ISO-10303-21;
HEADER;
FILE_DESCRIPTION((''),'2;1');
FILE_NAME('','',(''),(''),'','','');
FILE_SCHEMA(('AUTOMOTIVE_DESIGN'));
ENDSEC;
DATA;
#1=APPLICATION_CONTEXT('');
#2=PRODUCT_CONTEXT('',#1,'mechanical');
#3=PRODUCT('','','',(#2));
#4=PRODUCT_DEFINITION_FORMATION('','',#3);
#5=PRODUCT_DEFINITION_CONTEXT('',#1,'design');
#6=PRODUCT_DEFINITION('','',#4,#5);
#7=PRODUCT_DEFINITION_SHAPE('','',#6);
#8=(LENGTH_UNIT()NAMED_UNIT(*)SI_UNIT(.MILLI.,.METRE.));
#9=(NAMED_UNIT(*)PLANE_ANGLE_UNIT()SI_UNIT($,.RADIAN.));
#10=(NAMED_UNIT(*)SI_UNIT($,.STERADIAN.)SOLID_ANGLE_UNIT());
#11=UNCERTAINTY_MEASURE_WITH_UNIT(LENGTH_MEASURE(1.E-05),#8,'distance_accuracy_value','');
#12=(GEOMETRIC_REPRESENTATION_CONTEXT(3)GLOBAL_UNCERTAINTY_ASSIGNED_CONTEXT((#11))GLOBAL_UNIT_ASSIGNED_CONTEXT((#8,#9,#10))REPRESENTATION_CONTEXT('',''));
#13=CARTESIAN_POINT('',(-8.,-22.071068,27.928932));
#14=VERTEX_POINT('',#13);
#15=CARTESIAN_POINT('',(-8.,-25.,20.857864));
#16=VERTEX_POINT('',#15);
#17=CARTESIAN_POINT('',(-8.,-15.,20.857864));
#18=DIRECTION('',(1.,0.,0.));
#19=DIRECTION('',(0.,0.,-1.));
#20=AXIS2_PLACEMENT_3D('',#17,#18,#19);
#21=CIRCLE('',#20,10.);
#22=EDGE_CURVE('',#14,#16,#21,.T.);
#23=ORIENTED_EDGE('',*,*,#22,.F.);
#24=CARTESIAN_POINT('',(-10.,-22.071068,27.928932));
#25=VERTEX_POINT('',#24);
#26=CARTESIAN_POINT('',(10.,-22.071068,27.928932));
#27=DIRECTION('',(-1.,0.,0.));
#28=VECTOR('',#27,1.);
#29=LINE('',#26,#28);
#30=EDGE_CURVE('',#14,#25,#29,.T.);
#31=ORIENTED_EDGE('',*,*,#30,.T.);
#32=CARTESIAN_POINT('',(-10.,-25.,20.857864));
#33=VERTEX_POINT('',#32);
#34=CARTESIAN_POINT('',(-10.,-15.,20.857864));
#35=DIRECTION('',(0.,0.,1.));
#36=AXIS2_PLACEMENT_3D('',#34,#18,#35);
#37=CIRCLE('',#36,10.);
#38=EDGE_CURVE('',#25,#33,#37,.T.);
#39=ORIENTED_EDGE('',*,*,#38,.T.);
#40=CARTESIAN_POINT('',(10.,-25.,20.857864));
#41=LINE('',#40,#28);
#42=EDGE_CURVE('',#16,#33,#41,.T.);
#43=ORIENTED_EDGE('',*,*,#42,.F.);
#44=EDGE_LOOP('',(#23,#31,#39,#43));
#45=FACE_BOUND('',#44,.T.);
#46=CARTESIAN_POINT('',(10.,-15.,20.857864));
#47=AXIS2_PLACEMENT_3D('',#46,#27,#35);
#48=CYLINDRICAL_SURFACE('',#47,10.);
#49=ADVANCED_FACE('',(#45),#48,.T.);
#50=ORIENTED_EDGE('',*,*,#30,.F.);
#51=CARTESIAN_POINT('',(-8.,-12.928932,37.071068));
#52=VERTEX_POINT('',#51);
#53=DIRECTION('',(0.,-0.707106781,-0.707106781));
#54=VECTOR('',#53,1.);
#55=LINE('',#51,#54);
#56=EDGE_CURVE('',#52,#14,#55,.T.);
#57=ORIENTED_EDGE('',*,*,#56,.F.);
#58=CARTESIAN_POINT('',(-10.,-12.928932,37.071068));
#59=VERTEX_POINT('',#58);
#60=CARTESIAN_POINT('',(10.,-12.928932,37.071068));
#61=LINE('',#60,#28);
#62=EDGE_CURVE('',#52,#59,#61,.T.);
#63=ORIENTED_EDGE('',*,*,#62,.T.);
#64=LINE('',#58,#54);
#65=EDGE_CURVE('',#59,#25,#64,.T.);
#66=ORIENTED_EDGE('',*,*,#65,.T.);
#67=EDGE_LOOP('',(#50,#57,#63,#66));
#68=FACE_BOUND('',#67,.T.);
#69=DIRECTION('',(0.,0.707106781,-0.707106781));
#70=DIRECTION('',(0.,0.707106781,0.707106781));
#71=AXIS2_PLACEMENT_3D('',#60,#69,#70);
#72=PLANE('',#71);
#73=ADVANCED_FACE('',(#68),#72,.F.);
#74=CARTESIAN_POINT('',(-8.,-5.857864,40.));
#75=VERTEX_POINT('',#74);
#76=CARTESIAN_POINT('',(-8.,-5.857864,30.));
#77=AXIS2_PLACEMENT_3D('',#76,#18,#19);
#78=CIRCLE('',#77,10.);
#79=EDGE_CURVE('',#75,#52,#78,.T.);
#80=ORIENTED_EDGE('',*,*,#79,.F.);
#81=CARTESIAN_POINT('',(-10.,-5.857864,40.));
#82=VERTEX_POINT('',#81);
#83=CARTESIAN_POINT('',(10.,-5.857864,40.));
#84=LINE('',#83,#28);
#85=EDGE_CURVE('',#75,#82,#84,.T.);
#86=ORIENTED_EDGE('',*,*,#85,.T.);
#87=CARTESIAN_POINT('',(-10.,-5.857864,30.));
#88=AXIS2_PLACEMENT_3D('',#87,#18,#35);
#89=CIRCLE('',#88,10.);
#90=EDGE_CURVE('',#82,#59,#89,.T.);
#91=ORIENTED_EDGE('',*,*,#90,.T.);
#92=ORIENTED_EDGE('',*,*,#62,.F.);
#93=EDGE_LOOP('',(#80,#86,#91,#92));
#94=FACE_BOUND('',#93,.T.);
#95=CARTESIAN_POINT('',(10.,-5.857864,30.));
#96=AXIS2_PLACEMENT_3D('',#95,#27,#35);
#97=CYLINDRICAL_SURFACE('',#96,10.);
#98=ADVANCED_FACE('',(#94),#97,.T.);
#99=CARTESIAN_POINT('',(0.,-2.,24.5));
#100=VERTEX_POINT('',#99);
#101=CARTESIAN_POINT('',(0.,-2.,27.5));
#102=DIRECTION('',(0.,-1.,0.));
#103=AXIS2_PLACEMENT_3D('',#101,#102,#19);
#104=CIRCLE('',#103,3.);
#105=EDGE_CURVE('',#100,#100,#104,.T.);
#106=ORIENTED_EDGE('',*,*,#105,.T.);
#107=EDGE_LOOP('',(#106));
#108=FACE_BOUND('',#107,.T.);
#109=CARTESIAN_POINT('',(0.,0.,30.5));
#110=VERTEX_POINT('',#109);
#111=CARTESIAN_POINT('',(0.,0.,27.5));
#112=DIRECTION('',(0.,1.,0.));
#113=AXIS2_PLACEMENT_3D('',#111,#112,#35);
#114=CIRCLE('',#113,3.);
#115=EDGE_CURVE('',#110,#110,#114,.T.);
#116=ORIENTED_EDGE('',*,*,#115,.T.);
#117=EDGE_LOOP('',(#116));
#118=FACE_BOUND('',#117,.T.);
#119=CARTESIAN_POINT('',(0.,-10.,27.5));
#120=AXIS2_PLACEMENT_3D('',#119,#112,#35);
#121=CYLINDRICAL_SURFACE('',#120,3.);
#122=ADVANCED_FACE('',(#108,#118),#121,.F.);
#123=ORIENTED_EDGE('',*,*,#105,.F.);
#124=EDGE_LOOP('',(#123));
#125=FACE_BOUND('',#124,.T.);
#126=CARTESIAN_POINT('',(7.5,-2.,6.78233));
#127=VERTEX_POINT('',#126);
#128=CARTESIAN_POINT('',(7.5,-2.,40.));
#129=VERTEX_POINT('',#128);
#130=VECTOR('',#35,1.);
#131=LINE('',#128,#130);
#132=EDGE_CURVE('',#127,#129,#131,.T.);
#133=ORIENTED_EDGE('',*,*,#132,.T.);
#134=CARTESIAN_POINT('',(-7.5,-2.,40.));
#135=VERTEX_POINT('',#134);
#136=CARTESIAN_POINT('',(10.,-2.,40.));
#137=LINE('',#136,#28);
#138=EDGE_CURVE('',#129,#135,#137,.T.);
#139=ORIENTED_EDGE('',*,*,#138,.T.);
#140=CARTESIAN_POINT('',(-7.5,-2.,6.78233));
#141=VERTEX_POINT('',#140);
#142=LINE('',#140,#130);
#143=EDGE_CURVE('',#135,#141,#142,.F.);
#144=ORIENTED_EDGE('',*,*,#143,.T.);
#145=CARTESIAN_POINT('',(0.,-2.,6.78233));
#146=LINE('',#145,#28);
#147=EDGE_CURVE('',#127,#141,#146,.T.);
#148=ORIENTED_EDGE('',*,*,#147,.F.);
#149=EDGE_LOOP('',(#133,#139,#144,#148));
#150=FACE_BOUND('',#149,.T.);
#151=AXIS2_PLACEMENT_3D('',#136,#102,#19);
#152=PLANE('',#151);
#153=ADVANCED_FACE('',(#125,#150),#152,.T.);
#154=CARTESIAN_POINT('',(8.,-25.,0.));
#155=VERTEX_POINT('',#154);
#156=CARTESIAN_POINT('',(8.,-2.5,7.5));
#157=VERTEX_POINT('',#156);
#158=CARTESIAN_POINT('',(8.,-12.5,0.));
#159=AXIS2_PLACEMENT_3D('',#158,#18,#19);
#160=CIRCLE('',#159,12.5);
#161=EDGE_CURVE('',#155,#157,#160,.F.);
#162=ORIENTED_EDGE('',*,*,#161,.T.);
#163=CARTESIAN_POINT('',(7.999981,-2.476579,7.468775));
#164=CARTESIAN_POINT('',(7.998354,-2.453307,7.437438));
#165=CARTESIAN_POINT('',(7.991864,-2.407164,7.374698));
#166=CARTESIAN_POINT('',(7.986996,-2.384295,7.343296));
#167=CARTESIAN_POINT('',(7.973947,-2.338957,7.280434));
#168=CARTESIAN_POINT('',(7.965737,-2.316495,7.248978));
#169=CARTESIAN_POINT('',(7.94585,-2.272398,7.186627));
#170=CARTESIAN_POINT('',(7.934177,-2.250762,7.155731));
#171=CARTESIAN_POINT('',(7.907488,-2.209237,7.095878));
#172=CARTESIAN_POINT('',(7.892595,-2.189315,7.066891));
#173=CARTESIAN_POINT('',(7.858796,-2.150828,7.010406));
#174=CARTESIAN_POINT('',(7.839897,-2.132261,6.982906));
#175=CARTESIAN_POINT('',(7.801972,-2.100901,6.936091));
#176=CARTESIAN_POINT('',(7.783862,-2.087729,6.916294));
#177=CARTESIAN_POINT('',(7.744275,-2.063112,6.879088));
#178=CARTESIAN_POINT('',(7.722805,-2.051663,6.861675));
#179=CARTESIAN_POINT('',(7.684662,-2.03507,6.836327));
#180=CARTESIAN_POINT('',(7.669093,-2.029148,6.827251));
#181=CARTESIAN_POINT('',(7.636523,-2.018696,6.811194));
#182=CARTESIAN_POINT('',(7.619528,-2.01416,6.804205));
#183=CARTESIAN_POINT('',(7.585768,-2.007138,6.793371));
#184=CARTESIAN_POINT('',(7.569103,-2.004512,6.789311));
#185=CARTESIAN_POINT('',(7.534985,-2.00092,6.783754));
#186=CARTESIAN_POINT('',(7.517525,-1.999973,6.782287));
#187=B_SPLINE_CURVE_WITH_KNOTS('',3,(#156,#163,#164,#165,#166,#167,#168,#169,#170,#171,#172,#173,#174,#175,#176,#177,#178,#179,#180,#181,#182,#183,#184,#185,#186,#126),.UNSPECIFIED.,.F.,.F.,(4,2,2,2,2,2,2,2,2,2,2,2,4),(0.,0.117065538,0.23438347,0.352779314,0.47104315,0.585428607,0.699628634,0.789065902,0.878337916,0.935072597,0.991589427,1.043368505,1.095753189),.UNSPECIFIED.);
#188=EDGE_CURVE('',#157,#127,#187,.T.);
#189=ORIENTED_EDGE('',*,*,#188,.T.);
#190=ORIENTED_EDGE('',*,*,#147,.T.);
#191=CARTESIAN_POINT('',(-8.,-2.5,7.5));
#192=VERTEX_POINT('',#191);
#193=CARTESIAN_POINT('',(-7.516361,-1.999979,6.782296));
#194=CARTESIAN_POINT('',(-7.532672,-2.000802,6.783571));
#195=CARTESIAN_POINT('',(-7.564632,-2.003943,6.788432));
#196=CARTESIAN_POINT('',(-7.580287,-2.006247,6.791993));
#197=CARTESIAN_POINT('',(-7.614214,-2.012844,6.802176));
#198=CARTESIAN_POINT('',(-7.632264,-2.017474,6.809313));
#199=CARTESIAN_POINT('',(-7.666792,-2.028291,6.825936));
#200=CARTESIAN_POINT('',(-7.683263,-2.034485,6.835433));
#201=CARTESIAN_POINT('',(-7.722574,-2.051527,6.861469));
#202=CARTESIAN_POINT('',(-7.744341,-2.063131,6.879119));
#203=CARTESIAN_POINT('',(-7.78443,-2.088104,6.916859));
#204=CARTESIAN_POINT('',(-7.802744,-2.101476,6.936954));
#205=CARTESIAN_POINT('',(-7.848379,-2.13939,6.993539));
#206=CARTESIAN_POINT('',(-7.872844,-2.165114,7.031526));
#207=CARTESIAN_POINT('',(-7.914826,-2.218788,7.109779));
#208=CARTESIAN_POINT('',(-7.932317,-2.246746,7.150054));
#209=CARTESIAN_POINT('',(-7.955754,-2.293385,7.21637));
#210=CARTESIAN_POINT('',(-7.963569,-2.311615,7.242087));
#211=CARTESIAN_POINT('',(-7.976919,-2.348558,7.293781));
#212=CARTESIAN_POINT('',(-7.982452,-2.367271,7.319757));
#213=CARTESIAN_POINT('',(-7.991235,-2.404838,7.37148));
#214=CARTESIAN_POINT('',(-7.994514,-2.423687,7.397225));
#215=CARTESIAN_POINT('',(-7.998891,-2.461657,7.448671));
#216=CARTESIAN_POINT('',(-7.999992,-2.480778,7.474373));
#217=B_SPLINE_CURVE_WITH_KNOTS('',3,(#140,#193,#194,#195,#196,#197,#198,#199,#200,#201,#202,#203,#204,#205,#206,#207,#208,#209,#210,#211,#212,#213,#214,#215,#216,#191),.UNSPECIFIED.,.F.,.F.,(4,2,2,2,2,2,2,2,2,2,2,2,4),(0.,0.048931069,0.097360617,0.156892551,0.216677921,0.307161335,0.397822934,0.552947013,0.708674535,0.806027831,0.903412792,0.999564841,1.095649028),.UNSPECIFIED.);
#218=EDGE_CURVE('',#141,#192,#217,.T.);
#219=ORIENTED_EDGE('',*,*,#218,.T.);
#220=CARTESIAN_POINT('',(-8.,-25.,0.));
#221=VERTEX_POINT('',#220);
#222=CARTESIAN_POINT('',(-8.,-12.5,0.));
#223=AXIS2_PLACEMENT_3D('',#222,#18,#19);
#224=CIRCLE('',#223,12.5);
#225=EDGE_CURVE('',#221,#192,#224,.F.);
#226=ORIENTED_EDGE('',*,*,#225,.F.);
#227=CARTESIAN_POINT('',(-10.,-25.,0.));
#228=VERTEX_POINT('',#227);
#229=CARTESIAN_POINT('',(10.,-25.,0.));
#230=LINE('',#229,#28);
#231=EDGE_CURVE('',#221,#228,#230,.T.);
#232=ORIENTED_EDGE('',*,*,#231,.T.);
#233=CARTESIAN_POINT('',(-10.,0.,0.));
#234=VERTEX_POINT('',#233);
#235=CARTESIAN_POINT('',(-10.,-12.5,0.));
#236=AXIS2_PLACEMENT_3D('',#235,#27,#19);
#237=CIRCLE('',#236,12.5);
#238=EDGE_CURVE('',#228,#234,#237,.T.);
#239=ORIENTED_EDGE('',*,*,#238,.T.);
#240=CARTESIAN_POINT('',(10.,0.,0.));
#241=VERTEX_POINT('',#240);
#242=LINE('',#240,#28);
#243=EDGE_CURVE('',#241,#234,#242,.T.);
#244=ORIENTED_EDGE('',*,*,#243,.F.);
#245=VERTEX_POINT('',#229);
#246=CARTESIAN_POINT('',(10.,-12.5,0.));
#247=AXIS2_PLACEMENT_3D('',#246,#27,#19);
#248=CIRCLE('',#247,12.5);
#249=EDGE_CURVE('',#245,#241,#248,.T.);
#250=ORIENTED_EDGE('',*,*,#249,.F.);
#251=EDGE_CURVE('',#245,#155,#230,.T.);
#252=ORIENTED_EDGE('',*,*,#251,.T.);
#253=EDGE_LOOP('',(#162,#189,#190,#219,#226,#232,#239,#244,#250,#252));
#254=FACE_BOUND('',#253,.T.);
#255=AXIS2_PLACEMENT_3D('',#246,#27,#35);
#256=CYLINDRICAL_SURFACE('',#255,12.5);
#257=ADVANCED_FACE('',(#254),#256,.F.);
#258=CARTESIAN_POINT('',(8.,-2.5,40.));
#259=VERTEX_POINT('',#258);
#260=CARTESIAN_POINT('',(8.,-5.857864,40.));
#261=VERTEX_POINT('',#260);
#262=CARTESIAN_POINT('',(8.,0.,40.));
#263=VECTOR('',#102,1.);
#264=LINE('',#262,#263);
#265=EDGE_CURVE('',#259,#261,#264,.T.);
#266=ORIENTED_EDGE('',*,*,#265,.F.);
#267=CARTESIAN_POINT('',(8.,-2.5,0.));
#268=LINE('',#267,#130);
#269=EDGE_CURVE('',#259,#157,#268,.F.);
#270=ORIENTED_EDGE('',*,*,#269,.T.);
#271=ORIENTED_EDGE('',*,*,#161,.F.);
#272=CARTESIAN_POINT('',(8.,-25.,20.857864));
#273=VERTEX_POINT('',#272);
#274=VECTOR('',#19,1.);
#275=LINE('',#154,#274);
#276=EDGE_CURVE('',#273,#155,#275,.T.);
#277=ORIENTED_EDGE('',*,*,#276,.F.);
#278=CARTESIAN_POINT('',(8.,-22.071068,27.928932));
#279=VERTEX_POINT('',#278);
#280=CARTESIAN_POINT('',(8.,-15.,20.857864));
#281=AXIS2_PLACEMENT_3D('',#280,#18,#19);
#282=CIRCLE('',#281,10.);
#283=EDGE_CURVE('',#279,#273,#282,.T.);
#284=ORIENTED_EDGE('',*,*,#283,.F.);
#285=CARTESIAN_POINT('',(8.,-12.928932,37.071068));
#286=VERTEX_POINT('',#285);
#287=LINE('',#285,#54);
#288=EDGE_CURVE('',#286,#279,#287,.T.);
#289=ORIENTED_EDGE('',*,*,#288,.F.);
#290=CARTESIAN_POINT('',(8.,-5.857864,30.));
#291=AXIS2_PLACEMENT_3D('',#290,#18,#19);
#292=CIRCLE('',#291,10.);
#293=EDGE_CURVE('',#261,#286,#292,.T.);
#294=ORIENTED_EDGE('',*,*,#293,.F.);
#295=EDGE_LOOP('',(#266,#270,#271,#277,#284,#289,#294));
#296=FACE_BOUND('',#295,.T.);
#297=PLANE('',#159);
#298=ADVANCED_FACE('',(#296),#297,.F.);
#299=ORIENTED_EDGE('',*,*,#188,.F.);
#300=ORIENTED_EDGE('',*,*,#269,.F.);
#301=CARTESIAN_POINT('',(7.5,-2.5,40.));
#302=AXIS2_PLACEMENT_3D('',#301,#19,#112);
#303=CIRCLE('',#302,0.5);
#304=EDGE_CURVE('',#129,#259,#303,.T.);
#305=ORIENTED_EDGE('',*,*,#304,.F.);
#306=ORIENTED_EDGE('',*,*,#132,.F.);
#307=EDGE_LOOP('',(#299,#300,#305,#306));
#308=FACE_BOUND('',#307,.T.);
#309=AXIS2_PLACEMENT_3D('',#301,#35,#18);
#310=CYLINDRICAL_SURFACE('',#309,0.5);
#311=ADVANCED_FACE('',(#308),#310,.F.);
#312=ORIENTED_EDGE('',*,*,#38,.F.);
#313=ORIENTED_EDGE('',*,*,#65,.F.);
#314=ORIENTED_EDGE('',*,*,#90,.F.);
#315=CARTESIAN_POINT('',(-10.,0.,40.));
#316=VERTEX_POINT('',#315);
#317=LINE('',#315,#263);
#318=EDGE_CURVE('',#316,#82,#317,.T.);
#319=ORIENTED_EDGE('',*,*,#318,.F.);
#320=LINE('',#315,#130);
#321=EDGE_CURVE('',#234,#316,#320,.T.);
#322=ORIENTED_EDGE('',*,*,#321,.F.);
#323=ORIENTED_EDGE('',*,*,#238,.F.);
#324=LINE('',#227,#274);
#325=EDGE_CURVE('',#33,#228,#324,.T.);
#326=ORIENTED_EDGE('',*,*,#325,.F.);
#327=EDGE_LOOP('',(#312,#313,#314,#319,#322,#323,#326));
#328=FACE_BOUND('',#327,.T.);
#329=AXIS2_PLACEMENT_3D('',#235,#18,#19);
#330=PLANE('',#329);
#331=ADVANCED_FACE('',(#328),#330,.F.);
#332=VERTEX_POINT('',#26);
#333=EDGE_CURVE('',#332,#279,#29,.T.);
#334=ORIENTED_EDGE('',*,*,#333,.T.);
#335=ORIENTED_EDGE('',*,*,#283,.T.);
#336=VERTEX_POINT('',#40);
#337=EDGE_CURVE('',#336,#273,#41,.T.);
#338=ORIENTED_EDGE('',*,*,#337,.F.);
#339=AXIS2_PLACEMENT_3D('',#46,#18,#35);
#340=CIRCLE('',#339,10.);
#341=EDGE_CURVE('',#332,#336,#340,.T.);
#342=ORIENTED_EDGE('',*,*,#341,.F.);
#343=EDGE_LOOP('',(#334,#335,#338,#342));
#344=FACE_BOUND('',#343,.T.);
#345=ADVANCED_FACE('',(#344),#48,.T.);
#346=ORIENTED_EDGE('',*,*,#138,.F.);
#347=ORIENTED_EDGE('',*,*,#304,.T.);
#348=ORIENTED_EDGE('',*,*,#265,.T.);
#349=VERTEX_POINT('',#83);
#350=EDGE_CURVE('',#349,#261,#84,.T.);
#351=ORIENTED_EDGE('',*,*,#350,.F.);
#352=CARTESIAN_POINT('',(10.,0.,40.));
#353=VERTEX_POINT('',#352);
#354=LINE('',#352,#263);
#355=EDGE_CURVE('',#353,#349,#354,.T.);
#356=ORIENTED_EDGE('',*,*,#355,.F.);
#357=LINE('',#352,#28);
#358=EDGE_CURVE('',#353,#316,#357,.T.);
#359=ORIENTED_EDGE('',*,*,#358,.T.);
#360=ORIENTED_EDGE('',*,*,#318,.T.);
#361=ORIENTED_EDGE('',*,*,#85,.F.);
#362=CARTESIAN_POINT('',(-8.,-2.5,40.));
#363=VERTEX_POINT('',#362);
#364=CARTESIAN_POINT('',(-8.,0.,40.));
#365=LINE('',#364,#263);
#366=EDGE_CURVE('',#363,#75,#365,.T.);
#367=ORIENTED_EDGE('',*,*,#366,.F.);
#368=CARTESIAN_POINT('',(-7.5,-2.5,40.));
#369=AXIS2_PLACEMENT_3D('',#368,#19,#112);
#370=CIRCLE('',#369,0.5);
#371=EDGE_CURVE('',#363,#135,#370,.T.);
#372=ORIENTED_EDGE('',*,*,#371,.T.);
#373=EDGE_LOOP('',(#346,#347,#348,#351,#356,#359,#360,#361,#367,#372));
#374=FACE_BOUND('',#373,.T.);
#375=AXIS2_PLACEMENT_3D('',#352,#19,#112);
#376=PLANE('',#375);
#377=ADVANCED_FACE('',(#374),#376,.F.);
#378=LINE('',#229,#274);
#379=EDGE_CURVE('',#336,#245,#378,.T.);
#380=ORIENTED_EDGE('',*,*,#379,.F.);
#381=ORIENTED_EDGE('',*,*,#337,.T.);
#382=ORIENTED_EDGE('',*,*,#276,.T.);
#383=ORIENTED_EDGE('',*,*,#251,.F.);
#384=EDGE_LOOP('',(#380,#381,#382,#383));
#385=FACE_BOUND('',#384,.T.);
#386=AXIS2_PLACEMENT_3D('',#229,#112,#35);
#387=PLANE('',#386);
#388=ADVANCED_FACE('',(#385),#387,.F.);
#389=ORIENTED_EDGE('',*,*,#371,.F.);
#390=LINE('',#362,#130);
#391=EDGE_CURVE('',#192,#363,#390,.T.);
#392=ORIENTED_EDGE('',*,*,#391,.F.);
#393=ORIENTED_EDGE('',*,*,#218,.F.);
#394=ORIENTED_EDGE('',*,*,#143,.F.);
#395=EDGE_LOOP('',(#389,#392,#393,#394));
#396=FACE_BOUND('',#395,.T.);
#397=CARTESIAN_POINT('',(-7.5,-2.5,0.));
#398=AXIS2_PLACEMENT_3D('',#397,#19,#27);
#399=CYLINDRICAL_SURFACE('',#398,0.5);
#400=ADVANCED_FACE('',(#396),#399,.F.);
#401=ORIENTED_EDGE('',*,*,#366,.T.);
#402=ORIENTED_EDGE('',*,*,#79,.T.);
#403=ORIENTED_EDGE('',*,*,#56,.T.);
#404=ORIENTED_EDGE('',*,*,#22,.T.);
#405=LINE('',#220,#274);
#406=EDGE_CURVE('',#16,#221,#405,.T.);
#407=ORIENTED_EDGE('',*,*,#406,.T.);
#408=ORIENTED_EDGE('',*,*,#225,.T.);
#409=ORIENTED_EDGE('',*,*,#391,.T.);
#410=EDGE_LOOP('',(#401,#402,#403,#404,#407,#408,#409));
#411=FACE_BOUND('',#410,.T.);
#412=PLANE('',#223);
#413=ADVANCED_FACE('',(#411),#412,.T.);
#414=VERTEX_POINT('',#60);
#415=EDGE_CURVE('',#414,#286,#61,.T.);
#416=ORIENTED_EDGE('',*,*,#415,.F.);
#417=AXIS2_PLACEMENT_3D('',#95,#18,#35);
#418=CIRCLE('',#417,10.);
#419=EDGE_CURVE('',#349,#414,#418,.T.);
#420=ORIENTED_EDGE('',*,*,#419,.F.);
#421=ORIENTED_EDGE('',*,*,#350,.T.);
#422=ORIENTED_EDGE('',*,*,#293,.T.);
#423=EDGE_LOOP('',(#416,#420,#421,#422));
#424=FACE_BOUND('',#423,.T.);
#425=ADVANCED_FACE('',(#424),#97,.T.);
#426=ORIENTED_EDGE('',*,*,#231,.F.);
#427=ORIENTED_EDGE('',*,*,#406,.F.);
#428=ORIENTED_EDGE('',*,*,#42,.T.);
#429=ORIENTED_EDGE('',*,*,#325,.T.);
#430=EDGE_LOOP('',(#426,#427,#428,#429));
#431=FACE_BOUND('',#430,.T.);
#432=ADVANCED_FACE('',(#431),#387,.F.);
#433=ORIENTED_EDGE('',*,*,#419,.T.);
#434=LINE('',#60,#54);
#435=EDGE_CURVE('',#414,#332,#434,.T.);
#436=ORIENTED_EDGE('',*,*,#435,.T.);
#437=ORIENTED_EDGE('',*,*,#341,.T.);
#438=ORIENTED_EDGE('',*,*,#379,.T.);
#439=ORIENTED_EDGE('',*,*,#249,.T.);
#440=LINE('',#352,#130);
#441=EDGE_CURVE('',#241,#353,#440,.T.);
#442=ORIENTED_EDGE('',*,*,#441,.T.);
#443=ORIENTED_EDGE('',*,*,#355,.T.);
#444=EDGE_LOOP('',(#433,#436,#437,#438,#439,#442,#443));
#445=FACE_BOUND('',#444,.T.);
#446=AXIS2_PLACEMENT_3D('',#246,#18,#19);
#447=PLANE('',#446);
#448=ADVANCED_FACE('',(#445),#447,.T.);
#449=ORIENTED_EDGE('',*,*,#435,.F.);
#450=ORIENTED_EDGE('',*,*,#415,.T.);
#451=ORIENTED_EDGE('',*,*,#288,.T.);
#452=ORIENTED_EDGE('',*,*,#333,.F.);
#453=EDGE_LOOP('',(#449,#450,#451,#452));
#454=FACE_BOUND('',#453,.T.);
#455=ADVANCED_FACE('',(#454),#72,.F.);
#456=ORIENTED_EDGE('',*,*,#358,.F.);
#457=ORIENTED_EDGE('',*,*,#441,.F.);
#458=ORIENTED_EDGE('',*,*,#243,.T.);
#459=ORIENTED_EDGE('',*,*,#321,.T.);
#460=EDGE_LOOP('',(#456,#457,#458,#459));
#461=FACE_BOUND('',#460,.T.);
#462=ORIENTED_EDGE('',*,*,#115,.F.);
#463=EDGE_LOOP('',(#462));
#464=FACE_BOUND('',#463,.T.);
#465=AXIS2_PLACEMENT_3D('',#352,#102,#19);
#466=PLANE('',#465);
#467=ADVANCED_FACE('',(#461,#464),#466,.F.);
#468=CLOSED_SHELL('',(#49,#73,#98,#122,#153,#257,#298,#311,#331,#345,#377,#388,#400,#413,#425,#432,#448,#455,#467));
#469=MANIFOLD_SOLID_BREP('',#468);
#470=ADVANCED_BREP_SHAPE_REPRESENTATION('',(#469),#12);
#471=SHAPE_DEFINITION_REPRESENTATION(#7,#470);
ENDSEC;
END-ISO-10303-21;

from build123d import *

# Parameters (mm, degrees)
DODANIE_WYCI_GNI_CIE1_DEPTH = 10
SKORUPA1_T                  = -2
ZAOKR_GLENIE1_R             = 0.5
SZKIC2_R                    = 3
WYTNIJ_WYCI_GNI_CIE1_DEPTH  = 10


with BuildPart() as part:
    # Szkic1 → Dodanie-wyciągnięcie1 (new body, symmetric)
    with BuildSketch(Plane(origin=(0, 0, 0), x_dir=(0, 0, -1), z_dir=(1, 0, 0))):
        with BuildLine():
            Line((0, -25), (-20.857864376, -25))
            ThreePointArc((-20.857864376, -25), (-24.6846987, -24.238795325), (-27.928932188, -22.071067812))
            Line((-27.928932188, -22.071067812), (-37.071067812, -12.928932188))
            ThreePointArc((-37.071067812, -12.928932188), (-39.238795325, -9.6846987), (-40, -5.857864376))
            Line((-40, -5.857864376), (-40, 0))
            Line((-40, 0), (0, 0))
            ThreePointArc((0, 0), (-12.5, -12.5), (0, -25))
        make_face()
    extrude(amount=DODANIE_WYCI_GNI_CIE1_DEPTH, both=True)

    # Skorupa1
    skorupa1_openings = [part.faces().sort_by_distance(p)[0] for p in [
        (0, -25, 10.428932188),
        (0, -23.887164616, 24.539048491),
        (0, -17.5, 32.5),
        (0, -9.539048491, 38.887164616),
        (0, -2.928932188, 40),
        (0, -12.5, 6.25),
    ]]
    offset(amount=SKORUPA1_T, openings=skorupa1_openings, kind=Kind.INTERSECTION)

    # Zaokrąglenie1
    zaokr_glenie1_edges = [part.edges().sort_by_distance(p)[0] for p in [
        (-8, -2, 23.391164992),
        (8, -2, 23.391164992),
    ]]
    fillet(zaokr_glenie1_edges, radius=ZAOKR_GLENIE1_R)

    # Szkic2 → Wytnij-wyciągnięcie1 (cut)
    with BuildSketch(Plane(origin=(0, 0, 0), x_dir=(1, 0, 0), z_dir=(0, 1, 0))):
        with Locations((0, -27.5)):
            Circle(SZKIC2_R)
    extrude(amount=-WYTNIJ_WYCI_GNI_CIE1_DEPTH, mode=Mode.SUBTRACT)


solid = part.part
